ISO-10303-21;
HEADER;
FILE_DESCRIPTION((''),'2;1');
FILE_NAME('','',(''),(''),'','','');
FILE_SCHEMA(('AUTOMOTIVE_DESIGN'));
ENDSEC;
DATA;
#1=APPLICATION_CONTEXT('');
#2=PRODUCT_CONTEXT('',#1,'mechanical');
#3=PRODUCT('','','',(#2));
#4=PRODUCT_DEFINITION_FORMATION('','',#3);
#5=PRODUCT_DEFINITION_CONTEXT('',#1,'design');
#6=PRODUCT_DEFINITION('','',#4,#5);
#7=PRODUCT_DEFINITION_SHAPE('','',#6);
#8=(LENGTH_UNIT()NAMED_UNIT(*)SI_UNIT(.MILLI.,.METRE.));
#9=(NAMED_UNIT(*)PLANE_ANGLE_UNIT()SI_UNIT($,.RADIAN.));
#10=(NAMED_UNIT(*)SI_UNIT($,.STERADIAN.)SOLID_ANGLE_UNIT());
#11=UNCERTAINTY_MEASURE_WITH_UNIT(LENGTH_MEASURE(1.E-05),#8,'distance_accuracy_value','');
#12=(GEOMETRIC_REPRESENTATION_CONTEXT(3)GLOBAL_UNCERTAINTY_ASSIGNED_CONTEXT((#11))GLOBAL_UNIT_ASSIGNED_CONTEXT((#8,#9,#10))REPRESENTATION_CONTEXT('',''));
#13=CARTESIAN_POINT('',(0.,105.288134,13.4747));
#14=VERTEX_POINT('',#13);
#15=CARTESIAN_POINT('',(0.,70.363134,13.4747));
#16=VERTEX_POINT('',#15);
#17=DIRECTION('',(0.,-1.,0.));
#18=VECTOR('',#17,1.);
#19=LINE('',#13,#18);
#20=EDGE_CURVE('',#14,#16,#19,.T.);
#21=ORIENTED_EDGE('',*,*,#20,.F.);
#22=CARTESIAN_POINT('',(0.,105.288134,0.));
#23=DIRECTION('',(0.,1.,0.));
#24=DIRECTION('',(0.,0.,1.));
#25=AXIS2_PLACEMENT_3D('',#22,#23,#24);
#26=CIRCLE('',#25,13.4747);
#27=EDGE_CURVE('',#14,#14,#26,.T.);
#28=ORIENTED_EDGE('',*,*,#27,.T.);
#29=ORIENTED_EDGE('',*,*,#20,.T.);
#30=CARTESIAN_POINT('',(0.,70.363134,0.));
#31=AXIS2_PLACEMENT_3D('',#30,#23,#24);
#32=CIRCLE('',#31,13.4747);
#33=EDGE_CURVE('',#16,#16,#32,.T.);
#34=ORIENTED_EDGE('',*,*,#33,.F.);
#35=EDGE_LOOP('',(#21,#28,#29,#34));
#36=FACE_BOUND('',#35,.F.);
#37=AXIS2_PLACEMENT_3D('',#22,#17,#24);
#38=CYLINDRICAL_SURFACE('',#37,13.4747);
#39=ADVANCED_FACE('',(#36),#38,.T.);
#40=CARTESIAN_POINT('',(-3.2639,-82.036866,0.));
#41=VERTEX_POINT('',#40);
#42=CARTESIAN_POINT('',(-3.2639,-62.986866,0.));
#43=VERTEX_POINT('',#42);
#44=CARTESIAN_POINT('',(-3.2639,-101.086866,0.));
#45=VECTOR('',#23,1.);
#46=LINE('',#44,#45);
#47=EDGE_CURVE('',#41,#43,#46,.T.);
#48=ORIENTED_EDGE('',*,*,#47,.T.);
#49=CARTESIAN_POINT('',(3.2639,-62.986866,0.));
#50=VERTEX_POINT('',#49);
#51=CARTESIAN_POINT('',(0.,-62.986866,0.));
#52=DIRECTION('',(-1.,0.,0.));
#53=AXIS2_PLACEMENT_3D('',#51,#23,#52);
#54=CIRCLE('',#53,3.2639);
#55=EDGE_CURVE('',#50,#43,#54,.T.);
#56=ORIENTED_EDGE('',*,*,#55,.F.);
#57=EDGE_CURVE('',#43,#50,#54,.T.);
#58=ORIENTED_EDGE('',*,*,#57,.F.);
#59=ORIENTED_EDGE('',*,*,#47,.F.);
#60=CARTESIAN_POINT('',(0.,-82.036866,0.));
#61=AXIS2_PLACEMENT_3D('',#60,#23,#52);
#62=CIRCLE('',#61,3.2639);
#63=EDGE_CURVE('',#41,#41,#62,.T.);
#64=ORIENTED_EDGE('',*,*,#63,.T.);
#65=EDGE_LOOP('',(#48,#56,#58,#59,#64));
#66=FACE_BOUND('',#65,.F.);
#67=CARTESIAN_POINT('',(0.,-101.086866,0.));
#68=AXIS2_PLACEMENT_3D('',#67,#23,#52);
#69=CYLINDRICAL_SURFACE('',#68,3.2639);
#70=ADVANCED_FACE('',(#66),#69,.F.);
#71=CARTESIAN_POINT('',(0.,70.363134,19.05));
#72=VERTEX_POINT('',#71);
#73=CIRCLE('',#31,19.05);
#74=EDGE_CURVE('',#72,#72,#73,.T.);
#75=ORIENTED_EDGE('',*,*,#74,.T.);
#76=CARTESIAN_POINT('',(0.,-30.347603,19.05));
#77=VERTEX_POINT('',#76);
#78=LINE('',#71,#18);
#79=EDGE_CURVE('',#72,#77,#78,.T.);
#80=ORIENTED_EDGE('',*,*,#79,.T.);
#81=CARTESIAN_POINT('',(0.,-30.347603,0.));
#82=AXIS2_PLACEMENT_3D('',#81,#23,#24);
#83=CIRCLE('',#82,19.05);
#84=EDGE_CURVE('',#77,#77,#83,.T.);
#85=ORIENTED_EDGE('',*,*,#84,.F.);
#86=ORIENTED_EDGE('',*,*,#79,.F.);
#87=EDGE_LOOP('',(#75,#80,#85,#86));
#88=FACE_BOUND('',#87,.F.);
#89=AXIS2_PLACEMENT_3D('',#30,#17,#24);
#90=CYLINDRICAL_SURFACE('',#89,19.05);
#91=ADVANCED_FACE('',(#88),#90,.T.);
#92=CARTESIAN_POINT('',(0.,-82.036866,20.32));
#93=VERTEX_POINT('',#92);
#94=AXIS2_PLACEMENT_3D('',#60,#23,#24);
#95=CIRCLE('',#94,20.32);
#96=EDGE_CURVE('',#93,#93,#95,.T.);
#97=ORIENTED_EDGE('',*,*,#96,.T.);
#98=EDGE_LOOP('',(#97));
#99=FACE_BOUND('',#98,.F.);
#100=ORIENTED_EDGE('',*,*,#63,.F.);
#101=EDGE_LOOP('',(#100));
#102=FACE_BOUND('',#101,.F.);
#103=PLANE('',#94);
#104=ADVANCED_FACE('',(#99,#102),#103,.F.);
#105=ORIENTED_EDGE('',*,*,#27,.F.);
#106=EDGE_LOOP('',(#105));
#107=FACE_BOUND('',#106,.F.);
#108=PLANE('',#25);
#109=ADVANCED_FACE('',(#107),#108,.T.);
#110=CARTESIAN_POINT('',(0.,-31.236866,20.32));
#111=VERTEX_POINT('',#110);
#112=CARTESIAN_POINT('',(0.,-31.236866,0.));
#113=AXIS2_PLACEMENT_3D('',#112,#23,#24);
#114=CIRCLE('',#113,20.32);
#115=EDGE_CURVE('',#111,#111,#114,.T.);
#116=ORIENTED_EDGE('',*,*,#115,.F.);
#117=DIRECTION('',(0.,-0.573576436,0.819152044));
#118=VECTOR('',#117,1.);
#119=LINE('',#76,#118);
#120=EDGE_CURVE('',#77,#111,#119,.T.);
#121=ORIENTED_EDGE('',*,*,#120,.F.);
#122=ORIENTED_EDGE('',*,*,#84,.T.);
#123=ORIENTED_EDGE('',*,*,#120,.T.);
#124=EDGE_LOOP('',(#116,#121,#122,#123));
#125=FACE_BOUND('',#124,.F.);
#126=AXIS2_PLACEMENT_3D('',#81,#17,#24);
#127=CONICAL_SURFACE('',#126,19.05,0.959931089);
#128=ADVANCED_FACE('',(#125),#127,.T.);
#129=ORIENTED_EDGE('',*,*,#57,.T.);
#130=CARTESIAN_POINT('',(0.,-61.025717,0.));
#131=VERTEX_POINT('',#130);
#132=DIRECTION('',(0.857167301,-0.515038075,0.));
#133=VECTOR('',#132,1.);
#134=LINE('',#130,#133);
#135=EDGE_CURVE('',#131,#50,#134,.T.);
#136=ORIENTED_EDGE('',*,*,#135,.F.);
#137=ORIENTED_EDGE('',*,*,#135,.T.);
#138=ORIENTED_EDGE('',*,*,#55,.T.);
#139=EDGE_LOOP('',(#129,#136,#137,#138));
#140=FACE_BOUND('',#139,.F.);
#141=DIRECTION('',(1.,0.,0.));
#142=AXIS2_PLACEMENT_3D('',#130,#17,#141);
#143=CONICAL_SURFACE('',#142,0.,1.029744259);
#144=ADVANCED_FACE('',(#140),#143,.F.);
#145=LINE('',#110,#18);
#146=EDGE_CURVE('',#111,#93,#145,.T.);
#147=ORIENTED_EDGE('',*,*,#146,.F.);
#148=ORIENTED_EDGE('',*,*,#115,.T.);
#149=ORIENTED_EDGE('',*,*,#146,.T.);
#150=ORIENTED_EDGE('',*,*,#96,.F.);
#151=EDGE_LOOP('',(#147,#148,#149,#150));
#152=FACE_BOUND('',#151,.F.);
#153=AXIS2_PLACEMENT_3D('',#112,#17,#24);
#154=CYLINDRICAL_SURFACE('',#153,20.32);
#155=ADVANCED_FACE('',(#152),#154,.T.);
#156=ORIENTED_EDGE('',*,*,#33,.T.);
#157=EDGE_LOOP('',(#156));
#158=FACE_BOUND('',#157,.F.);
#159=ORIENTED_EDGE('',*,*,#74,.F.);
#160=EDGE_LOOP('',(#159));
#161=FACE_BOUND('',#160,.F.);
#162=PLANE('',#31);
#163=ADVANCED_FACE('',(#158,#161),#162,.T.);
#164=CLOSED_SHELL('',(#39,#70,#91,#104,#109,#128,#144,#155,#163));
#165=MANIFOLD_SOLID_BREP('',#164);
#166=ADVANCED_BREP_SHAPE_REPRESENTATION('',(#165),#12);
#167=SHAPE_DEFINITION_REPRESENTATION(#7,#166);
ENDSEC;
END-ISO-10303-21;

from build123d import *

# Parameters (mm, degrees)
F3_D     = 6.5278
F3_DEPTH = 19.05
F3_TIP   = 1.9611489744


with BuildPart() as f1:
    # F0 (on Right) → F1 (revolve)
    with BuildSketch(Plane.YZ):
        Polygon((-82.0368663356, 5.5372), (-82.0368663356, 0), (70.3631336644, 0), (105.2881336644, 0), (105.2881336644, 13.4747), (70.3631336644, 13.4747), (70.3631336644, 19.05), (31.75, 19.05), (0, 19.05), (-30.347602762, 19.05), (-31.2368663356, 20.32), (-82.0368663356, 20.32), align=None)
    revolve(axis=Axis((0, -5.8368663356, 0), (0, 1, 0)))

    # F3
    with Locations(Plane.XZ.offset(82.0368663356)):
        with Locations((0, 0)):
            Hole(F3_D / 2, depth=F3_DEPTH)
            with Locations((0, 0, -(F3_DEPTH + F3_TIP / 2))):  # 118° drill point
                Cone(0, F3_D / 2, F3_TIP, mode=Mode.SUBTRACT)


solid = f1.part
